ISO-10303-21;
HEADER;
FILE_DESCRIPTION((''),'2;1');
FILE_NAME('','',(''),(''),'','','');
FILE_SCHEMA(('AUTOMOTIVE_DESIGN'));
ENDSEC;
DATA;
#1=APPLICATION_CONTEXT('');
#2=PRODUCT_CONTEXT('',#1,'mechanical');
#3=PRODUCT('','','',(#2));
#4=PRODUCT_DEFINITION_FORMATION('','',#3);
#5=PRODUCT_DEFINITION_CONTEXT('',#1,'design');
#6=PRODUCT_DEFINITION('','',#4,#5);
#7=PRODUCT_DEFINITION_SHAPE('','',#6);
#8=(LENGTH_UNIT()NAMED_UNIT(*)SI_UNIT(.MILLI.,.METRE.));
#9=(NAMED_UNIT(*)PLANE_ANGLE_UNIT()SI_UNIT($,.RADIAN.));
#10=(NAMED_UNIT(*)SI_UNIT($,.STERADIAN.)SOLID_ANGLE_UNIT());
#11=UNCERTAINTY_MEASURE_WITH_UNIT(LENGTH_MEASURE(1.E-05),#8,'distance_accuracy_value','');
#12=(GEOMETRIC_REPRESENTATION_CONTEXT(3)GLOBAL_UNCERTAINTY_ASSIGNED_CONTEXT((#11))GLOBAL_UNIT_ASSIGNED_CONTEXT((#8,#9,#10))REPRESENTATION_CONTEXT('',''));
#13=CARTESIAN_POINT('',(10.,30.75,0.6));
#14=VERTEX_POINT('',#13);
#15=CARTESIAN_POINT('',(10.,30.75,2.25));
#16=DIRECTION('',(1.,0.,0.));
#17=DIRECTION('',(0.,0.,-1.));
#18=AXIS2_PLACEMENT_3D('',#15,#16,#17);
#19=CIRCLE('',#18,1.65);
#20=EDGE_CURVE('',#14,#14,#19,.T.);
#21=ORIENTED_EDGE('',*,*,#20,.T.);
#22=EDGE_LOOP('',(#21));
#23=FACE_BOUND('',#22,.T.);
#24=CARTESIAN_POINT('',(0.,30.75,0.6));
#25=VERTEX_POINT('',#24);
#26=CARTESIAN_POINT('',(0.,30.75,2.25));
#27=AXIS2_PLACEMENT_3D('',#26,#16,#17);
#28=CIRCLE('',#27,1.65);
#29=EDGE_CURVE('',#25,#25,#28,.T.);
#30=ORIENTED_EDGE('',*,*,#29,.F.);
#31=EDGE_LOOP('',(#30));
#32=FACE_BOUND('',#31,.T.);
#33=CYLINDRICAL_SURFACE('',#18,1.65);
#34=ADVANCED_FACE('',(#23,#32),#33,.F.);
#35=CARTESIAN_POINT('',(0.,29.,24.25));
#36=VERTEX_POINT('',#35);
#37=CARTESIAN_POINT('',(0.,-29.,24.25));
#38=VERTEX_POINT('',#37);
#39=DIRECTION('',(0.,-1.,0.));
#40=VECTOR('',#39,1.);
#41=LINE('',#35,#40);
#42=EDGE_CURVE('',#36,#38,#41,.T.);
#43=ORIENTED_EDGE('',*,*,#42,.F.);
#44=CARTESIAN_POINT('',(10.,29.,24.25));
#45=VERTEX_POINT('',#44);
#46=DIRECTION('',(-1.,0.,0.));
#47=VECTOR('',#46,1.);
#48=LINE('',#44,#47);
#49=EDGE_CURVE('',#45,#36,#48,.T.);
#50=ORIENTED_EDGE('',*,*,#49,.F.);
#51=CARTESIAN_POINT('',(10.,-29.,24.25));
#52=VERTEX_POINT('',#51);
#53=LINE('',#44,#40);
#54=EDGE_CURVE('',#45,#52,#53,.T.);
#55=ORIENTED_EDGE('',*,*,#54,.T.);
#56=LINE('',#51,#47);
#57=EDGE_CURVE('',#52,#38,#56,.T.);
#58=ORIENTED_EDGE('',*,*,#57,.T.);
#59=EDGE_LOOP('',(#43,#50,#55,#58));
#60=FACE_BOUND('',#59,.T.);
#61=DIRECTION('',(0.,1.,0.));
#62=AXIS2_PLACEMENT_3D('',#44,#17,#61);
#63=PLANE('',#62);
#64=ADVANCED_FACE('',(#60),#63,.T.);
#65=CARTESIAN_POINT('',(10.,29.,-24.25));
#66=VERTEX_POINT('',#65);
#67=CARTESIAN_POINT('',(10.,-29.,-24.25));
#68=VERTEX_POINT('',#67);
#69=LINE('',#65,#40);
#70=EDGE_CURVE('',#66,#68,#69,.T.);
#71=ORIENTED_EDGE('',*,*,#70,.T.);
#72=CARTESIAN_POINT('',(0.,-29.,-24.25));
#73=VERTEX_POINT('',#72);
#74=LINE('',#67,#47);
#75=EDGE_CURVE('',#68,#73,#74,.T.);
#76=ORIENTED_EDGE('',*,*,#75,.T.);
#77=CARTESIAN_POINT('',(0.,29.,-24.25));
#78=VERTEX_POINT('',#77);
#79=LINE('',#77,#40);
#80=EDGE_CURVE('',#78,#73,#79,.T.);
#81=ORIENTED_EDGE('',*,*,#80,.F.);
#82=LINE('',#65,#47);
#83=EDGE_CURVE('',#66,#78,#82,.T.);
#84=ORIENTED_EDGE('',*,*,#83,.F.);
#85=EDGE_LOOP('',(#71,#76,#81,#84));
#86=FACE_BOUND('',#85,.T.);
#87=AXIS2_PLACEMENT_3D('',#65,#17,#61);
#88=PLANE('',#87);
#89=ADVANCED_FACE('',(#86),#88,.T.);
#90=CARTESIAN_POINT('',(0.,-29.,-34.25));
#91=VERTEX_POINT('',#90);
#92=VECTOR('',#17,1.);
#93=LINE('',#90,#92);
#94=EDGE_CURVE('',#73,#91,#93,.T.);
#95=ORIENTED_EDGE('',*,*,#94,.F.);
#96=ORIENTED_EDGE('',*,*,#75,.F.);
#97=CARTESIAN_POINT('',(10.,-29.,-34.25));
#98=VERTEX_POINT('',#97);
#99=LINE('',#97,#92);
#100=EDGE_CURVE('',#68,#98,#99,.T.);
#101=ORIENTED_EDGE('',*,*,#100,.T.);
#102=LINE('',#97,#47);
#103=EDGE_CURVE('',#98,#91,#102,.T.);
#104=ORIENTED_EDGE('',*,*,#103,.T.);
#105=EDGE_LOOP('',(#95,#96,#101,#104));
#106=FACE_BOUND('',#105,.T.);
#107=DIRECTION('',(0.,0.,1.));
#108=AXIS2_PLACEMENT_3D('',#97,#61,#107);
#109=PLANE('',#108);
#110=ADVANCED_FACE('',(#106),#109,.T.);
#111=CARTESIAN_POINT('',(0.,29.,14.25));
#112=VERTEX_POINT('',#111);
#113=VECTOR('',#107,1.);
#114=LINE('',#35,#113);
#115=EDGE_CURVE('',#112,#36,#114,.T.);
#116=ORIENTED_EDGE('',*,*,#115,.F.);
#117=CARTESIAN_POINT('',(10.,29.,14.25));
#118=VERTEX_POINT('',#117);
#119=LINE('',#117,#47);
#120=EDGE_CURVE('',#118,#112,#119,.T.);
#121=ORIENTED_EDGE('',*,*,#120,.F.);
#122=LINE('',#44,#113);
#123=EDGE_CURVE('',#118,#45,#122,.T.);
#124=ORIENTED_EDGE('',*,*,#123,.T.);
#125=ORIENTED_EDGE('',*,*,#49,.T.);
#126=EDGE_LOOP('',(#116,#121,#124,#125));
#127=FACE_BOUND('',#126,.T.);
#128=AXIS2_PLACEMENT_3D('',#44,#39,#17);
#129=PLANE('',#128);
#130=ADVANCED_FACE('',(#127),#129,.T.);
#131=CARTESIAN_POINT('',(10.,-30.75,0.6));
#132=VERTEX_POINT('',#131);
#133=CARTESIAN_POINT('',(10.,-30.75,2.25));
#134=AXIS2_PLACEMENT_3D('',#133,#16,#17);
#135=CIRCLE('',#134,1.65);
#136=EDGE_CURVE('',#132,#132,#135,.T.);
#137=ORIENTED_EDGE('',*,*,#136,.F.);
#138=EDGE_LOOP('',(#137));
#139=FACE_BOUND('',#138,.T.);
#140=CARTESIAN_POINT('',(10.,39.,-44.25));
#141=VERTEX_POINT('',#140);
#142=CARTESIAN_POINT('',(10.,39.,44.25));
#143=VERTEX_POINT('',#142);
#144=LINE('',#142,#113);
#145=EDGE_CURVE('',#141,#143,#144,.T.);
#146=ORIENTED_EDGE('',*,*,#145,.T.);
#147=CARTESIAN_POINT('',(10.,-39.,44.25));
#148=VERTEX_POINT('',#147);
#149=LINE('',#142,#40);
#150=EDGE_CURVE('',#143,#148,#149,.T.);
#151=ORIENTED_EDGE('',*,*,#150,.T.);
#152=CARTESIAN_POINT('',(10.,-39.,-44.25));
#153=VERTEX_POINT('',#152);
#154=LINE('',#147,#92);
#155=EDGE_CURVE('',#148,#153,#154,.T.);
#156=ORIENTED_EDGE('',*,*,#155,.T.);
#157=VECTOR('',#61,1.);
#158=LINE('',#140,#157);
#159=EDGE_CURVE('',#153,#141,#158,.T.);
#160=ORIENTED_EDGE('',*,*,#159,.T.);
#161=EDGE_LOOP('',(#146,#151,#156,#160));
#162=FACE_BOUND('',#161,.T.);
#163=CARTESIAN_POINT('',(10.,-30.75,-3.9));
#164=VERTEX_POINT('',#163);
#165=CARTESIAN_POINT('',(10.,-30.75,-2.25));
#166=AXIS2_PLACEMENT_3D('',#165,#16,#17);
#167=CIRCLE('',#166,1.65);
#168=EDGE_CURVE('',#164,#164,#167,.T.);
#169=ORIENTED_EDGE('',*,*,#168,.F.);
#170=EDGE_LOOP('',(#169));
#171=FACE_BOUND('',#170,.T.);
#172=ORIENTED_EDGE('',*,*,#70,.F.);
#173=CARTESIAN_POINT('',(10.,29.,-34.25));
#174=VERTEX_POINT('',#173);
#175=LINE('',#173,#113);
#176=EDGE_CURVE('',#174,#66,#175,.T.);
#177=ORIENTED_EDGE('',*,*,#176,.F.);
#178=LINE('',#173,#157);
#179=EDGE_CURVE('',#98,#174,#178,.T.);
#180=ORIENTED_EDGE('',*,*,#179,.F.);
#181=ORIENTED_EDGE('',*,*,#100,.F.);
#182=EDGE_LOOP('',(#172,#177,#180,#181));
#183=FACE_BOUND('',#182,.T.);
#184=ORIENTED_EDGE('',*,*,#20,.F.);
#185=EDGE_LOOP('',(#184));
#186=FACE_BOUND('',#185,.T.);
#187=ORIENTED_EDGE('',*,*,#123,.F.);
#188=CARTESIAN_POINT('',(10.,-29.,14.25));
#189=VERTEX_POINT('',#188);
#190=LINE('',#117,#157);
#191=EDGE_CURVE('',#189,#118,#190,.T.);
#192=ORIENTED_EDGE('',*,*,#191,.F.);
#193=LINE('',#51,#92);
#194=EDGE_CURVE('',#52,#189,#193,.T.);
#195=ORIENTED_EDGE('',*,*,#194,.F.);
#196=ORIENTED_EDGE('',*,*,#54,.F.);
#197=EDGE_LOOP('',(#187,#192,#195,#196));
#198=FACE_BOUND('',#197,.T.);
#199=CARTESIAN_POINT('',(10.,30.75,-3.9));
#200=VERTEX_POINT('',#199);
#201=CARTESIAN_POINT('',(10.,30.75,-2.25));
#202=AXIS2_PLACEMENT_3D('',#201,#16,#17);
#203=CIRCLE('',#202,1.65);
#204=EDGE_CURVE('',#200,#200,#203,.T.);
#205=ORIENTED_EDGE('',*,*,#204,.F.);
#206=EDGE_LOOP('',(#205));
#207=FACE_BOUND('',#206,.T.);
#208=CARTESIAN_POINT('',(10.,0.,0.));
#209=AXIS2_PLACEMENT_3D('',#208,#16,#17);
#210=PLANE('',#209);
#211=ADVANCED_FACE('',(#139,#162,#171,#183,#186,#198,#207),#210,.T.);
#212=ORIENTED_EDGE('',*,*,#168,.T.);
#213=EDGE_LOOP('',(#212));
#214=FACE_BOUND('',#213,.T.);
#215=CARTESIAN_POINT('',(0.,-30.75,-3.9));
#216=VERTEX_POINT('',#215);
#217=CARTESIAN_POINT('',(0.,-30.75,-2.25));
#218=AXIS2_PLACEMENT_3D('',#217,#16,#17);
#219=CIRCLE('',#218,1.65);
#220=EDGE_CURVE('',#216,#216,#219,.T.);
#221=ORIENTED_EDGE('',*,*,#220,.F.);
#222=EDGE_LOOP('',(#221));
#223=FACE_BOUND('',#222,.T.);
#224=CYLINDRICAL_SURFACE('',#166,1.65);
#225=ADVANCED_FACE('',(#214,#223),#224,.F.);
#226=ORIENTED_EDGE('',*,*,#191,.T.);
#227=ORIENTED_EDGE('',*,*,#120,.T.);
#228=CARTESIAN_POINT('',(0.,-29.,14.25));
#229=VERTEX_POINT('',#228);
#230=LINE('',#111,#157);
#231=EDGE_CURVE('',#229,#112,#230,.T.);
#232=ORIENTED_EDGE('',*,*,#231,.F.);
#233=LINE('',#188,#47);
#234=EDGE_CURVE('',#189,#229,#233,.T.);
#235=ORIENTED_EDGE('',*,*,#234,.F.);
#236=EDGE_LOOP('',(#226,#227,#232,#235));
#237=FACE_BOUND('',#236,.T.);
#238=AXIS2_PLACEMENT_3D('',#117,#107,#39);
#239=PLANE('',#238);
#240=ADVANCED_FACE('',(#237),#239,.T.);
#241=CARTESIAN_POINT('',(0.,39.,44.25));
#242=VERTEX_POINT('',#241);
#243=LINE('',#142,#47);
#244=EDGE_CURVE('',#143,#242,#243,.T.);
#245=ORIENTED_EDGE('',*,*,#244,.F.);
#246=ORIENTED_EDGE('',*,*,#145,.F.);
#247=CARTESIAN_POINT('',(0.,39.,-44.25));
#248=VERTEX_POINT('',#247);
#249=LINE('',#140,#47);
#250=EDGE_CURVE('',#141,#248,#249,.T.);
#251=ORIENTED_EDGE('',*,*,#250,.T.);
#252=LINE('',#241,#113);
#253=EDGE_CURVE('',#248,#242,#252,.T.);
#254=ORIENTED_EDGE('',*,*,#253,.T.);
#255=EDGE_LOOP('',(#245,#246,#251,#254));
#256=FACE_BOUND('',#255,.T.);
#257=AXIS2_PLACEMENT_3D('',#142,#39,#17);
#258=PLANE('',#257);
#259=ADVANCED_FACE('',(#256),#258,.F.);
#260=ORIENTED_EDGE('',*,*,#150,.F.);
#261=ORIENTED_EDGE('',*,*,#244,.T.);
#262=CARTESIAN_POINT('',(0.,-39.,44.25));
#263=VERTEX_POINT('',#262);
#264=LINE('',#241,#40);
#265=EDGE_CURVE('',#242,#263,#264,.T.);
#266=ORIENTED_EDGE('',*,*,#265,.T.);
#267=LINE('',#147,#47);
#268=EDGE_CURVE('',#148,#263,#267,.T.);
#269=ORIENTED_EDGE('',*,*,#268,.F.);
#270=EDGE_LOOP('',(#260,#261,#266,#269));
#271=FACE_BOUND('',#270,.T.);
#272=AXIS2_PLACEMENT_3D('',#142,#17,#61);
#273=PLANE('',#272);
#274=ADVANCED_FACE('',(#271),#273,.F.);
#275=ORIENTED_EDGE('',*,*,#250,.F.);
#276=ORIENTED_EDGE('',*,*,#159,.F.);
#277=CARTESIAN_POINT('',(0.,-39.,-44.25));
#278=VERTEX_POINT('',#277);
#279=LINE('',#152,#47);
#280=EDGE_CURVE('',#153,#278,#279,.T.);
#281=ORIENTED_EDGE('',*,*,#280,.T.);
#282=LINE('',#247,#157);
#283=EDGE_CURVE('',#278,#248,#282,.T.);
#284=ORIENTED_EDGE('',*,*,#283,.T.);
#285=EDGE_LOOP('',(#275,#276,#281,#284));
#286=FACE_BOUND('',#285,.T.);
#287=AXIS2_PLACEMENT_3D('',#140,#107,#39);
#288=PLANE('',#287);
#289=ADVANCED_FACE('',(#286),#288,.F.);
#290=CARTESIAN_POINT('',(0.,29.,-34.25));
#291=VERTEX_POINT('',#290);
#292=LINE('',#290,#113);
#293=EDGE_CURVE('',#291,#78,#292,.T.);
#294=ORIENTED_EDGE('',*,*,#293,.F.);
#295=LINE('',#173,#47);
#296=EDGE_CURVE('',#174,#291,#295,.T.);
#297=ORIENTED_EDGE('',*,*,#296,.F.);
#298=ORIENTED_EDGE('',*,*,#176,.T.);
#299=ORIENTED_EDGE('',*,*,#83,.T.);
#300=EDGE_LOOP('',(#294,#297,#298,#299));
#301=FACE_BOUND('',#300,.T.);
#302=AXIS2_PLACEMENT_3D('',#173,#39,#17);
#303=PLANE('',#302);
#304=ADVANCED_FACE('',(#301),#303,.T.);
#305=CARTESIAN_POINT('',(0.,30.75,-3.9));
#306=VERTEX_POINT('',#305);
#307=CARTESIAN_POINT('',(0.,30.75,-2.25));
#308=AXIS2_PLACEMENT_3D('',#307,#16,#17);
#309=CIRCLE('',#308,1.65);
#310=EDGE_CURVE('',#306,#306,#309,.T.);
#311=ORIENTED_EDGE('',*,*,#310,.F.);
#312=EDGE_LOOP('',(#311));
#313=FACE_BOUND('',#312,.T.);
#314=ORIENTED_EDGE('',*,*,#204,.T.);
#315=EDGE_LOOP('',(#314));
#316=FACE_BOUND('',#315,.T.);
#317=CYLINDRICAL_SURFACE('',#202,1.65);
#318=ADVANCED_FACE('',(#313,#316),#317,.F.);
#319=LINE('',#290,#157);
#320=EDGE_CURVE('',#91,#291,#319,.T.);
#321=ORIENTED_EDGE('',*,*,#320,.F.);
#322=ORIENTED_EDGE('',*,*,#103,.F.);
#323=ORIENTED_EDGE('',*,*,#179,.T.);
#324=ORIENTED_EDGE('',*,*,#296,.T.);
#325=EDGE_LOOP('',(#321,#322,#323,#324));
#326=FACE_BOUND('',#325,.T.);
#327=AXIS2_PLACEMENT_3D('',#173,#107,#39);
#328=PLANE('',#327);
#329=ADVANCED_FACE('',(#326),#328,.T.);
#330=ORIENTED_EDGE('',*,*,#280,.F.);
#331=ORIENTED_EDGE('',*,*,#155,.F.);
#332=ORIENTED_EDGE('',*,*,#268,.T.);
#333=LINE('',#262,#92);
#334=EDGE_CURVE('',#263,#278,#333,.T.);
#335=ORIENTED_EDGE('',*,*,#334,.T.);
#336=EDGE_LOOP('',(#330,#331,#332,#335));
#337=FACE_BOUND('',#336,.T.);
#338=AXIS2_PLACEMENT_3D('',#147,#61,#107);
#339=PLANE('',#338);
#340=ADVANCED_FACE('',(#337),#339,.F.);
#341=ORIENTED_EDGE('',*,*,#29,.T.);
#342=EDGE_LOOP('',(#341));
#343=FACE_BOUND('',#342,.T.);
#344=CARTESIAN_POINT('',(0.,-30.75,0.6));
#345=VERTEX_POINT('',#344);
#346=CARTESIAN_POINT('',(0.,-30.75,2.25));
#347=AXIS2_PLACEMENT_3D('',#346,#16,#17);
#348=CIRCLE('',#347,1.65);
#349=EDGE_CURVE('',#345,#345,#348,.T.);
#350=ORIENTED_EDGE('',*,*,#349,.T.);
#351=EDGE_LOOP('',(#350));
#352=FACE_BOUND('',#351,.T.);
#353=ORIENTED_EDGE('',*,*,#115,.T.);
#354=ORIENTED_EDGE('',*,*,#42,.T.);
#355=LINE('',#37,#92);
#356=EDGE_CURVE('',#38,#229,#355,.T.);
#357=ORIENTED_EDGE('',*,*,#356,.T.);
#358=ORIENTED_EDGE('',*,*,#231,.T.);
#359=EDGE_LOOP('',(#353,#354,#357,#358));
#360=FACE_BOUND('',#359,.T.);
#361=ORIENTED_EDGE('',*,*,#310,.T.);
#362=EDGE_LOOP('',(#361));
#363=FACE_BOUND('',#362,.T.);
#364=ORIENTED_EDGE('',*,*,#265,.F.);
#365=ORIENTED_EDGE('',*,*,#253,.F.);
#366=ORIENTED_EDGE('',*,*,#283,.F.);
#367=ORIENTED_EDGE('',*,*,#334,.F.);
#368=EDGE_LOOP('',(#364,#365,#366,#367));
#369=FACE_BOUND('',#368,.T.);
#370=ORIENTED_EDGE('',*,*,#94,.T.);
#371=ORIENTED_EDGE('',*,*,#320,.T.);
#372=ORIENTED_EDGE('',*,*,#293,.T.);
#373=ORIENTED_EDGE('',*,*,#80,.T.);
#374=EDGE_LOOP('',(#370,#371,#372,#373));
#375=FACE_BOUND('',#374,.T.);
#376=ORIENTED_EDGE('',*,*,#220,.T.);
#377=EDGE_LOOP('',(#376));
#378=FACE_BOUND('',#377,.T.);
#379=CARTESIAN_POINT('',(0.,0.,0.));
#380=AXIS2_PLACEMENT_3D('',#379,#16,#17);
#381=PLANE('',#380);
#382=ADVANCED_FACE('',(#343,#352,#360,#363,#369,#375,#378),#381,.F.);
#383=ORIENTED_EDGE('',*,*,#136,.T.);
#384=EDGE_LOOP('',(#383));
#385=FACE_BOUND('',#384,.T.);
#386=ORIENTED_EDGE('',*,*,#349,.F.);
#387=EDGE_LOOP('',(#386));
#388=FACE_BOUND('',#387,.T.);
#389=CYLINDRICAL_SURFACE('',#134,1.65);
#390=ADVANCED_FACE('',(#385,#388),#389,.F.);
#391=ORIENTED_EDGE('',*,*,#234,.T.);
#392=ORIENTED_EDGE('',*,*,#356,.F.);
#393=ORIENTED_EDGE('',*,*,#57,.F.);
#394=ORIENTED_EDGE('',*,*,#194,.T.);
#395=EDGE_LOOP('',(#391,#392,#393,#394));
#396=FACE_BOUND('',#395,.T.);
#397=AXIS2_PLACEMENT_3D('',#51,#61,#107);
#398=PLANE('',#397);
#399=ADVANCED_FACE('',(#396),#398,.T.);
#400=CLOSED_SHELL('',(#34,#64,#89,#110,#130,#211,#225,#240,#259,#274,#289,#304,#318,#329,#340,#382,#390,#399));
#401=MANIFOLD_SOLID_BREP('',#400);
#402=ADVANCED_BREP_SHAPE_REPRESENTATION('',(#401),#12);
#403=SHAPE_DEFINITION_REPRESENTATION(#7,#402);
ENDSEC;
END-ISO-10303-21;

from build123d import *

# Parameters (mm, degrees)
SKETCH1_W           = 88.5
SKETCH1_H           = 78
SKETCH1_W_2         = 10
SKETCH1_H_2         = 58
BOSS_EXTRUDE1_DEPTH = 10
M4_TAPPED_HOLE1_D   = 3.3


with BuildPart() as part:
    # Sketch1 → Boss-Extrude1 (new body)
    with BuildSketch(Plane(origin=(0, 0, 0), x_dir=(0, 0, -1), z_dir=(1, 0, 0))):
        Rectangle(SKETCH1_W, SKETCH1_H)
        with Locations((-19.25, 0)):
            Rectangle(SKETCH1_W_2, SKETCH1_H_2, mode=Mode.SUBTRACT)
        with Locations((29.25, 0)):
            Rectangle(SKETCH1_W_2, SKETCH1_H_2, mode=Mode.SUBTRACT)
    extrude(amount=BOSS_EXTRUDE1_DEPTH)

    # M4 Tapped Hole1 (through all)
    with Locations(Plane(origin=(10, 0, 0), x_dir=(0, 0, -1), z_dir=(1, 0, 0))):
        with Locations((-2.25, -30.75), (-2.25, 30.75), (2.25, -30.75), (2.25, 30.75)):
            Hole(M4_TAPPED_HOLE1_D / 2)


solid = part.part
